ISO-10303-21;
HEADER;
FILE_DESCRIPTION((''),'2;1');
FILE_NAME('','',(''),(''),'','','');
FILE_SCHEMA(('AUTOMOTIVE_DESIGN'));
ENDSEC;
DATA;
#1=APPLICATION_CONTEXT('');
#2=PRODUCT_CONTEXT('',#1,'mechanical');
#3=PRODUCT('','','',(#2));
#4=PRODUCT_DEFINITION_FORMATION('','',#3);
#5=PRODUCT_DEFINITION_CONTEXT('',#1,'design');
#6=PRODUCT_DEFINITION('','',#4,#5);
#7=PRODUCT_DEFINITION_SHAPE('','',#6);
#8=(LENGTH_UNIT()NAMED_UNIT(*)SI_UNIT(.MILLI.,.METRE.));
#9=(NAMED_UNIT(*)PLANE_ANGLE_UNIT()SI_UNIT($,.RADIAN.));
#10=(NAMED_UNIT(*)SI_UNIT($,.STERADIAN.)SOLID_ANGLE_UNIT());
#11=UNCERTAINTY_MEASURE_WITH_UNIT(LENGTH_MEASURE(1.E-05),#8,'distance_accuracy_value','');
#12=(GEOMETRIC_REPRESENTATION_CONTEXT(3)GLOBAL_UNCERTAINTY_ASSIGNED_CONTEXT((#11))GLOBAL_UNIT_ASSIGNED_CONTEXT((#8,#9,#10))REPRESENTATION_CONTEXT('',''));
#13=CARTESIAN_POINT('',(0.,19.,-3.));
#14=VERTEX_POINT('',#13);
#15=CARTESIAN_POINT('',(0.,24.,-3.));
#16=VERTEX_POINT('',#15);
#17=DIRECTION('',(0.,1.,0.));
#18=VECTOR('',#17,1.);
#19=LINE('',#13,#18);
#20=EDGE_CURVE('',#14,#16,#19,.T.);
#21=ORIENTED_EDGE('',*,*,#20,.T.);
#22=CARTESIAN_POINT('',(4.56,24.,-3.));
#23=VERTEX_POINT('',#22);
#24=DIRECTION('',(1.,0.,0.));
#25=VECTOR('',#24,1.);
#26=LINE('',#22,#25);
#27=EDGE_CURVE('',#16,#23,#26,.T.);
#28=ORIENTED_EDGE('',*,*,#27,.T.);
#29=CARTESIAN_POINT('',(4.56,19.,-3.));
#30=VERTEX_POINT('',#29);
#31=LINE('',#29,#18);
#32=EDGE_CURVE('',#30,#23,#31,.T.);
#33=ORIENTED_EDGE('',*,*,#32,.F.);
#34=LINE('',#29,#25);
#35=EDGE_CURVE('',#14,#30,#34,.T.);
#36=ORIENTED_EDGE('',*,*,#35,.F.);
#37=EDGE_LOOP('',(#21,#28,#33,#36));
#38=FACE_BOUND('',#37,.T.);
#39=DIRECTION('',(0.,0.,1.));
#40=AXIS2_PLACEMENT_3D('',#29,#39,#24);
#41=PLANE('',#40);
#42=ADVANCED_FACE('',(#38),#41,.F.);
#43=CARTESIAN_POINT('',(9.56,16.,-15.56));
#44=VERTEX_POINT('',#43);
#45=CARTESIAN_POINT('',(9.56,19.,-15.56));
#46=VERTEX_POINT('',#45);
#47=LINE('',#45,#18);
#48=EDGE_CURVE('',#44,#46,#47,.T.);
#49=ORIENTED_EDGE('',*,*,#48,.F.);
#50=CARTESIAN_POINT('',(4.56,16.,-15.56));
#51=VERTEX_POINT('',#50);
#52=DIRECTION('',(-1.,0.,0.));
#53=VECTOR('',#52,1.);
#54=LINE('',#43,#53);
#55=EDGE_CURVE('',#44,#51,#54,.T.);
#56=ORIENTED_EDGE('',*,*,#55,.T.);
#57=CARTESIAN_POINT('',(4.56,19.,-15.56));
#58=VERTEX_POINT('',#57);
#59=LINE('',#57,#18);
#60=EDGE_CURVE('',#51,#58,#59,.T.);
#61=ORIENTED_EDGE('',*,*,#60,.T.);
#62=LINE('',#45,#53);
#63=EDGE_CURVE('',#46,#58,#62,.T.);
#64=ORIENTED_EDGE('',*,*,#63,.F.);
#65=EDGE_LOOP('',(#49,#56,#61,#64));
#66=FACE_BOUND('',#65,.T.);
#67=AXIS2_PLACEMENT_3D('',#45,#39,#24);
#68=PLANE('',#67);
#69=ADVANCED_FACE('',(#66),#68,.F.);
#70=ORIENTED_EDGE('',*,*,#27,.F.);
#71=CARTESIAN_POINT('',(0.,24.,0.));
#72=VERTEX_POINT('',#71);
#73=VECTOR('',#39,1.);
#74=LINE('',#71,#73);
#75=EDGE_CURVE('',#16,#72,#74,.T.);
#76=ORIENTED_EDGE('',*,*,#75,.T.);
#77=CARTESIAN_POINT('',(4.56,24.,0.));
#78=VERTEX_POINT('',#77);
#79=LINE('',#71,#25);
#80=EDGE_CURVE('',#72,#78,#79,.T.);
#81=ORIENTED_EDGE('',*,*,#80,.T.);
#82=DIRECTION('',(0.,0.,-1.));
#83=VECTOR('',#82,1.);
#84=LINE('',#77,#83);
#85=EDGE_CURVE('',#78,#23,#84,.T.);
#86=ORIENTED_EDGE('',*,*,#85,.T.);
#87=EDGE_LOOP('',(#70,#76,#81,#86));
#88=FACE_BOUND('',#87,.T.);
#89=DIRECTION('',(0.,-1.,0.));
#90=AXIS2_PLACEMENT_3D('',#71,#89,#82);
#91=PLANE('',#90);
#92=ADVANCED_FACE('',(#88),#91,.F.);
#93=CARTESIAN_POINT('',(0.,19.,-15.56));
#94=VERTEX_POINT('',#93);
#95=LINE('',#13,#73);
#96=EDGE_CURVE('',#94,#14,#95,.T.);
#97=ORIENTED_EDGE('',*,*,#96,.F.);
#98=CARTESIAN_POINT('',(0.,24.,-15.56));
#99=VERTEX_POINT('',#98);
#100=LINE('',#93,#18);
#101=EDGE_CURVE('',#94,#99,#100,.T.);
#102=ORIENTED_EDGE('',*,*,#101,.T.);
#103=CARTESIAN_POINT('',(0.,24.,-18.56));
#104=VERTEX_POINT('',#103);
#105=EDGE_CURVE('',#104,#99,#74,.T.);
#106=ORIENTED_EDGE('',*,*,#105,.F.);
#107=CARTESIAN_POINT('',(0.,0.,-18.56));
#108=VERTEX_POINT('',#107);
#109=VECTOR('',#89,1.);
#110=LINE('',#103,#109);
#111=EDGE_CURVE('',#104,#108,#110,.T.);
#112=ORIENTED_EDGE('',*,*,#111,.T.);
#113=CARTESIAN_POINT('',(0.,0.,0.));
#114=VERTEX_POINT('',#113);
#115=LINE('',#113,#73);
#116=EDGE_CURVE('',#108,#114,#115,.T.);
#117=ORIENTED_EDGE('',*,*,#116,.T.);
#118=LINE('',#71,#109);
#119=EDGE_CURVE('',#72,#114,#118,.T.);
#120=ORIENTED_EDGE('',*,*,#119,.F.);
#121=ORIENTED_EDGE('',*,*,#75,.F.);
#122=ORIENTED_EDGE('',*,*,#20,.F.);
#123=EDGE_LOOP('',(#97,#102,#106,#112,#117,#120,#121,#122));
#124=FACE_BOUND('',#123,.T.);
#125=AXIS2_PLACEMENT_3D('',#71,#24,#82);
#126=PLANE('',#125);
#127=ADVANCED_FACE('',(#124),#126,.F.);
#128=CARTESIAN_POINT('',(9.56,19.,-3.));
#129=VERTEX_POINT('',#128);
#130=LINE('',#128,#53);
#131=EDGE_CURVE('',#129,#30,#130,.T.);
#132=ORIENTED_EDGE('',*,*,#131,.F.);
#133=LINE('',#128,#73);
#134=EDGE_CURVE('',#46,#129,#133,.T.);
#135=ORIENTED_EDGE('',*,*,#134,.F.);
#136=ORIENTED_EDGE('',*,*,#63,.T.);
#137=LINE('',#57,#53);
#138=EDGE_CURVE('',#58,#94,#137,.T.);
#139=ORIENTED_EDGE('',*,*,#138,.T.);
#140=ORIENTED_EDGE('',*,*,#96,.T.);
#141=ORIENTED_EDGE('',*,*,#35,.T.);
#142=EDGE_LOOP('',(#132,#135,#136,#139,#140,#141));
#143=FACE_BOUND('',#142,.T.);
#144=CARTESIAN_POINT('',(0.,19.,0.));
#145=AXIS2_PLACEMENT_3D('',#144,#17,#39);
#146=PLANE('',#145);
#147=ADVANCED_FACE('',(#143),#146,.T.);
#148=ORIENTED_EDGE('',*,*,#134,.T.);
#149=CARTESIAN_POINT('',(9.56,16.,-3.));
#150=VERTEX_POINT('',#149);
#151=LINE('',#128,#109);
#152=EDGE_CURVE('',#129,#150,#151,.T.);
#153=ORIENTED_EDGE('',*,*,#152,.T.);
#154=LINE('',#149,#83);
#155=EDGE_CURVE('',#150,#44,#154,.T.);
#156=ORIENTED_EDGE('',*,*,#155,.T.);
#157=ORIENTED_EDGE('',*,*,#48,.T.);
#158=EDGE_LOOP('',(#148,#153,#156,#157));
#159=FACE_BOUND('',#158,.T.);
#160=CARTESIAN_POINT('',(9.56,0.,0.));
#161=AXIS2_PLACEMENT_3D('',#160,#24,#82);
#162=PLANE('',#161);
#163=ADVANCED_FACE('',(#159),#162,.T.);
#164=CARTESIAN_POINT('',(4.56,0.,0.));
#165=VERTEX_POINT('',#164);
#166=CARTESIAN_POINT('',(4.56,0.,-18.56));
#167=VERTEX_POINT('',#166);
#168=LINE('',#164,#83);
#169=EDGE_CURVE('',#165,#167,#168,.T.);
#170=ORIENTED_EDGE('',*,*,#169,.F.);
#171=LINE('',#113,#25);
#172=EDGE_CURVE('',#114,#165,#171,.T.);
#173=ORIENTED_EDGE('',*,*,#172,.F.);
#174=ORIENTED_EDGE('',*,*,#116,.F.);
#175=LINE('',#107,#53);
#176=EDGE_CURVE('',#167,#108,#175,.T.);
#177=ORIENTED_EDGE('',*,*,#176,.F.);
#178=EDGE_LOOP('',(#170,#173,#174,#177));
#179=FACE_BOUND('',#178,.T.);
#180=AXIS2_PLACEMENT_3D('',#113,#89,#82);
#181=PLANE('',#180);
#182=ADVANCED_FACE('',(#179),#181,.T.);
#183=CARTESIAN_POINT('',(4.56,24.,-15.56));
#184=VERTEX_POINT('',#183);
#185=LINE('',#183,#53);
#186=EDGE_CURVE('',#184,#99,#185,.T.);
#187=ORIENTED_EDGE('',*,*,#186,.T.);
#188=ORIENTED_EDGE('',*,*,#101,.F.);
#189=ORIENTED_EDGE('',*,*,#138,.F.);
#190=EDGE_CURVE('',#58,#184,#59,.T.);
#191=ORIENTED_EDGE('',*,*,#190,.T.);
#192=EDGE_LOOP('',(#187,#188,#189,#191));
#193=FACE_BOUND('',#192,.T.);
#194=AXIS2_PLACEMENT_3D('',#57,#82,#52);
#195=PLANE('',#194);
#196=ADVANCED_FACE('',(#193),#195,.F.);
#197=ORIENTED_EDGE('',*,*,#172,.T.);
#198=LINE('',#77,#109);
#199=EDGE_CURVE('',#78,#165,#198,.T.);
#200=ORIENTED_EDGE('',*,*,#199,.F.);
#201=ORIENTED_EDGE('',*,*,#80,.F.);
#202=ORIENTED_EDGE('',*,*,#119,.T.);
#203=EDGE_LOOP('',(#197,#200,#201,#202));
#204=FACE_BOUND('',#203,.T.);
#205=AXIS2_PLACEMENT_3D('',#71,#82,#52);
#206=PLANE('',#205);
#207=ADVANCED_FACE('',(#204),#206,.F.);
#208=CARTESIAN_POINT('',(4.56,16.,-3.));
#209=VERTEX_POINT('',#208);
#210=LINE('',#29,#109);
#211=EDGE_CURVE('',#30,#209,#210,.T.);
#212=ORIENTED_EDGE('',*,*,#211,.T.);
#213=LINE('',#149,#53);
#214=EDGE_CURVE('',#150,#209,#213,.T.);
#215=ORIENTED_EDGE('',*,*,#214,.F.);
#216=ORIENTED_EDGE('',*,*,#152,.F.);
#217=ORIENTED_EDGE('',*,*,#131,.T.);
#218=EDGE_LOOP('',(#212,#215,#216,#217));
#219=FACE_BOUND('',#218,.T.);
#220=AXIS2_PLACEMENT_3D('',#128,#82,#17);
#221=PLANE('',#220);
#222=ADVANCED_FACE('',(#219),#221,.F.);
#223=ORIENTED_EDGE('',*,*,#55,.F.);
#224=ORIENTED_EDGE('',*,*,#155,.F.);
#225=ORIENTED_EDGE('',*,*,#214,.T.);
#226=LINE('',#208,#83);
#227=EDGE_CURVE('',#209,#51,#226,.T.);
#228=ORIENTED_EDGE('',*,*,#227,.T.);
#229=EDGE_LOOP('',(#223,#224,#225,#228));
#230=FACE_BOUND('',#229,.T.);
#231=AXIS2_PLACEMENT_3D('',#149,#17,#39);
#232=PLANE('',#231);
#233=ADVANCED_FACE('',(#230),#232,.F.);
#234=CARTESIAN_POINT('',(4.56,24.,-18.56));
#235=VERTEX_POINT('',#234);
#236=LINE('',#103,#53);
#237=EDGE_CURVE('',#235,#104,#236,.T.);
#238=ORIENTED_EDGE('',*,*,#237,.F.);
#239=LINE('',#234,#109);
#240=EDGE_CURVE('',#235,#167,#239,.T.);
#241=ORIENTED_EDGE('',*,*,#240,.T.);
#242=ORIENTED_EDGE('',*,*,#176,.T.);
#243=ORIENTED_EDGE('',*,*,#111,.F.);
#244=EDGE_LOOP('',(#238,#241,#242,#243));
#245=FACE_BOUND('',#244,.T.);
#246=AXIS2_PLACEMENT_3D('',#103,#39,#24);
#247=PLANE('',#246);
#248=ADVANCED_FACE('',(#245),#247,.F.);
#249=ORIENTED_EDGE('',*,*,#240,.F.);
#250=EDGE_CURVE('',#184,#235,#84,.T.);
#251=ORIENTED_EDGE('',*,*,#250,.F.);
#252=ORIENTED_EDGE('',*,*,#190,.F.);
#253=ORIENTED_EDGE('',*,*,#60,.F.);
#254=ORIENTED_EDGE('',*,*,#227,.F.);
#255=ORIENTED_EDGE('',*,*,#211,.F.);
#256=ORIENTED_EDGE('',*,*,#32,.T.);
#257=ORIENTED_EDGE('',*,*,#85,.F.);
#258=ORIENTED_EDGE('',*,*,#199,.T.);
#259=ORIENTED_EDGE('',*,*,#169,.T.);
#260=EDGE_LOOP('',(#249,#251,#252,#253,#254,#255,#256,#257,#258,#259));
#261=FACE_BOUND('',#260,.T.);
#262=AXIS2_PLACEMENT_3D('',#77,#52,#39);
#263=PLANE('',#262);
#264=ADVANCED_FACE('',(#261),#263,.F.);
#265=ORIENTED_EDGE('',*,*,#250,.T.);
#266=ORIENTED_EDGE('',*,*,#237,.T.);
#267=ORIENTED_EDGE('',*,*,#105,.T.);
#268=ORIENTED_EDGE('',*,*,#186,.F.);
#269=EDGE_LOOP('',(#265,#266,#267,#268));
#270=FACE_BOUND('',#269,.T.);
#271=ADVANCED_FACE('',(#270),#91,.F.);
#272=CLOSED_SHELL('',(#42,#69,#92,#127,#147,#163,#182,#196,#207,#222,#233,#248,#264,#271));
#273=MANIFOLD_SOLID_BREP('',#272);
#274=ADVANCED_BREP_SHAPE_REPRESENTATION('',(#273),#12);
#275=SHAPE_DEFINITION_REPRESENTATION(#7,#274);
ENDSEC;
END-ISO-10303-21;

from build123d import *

# Parameters (mm, degrees)
SKETCH1_W           = 4.56
SKETCH1_H           = 18.56
BOSS_EXTRUDE2_DEPTH = 24
SKETCH2_W           = 4.56
SKETCH2_H           = 12.56
CUT_EXTRUDE1_DEPTH  = 5
SKETCH3_W           = 12.56
SKETCH3_H           = 3
BOSS_EXTRUDE3_DEPTH = 5


with BuildPart() as part:
    # Sketch1 → Boss-Extrude2 (new body)
    with BuildSketch(Plane(origin=(0, 0, 0), x_dir=(1, 0, 0), z_dir=(0, 1, 0))):
        with Locations((2.28, 9.28)):
            Rectangle(SKETCH1_W, SKETCH1_H)
    extrude(amount=BOSS_EXTRUDE2_DEPTH)

    # Sketch2 → Cut-Extrude1 (cut)
    with BuildSketch(Plane(origin=(0, 24, 0), x_dir=(1, 0, 0), z_dir=(0, 1, 0))):
        with Locations((2.28, 9.28)):
            Rectangle(SKETCH2_W, SKETCH2_H)
    extrude(amount=-CUT_EXTRUDE1_DEPTH, mode=Mode.SUBTRACT)

    # Sketch3 → Boss-Extrude3 (add)
    with BuildSketch(Plane(origin=(4.56, 0, 0), x_dir=(0, 0, -1), z_dir=(1, 0, 0))):
        with Locations((9.28, 17.5)):
            Rectangle(SKETCH3_W, SKETCH3_H)
    extrude(amount=BOSS_EXTRUDE3_DEPTH)


solid = part.part
